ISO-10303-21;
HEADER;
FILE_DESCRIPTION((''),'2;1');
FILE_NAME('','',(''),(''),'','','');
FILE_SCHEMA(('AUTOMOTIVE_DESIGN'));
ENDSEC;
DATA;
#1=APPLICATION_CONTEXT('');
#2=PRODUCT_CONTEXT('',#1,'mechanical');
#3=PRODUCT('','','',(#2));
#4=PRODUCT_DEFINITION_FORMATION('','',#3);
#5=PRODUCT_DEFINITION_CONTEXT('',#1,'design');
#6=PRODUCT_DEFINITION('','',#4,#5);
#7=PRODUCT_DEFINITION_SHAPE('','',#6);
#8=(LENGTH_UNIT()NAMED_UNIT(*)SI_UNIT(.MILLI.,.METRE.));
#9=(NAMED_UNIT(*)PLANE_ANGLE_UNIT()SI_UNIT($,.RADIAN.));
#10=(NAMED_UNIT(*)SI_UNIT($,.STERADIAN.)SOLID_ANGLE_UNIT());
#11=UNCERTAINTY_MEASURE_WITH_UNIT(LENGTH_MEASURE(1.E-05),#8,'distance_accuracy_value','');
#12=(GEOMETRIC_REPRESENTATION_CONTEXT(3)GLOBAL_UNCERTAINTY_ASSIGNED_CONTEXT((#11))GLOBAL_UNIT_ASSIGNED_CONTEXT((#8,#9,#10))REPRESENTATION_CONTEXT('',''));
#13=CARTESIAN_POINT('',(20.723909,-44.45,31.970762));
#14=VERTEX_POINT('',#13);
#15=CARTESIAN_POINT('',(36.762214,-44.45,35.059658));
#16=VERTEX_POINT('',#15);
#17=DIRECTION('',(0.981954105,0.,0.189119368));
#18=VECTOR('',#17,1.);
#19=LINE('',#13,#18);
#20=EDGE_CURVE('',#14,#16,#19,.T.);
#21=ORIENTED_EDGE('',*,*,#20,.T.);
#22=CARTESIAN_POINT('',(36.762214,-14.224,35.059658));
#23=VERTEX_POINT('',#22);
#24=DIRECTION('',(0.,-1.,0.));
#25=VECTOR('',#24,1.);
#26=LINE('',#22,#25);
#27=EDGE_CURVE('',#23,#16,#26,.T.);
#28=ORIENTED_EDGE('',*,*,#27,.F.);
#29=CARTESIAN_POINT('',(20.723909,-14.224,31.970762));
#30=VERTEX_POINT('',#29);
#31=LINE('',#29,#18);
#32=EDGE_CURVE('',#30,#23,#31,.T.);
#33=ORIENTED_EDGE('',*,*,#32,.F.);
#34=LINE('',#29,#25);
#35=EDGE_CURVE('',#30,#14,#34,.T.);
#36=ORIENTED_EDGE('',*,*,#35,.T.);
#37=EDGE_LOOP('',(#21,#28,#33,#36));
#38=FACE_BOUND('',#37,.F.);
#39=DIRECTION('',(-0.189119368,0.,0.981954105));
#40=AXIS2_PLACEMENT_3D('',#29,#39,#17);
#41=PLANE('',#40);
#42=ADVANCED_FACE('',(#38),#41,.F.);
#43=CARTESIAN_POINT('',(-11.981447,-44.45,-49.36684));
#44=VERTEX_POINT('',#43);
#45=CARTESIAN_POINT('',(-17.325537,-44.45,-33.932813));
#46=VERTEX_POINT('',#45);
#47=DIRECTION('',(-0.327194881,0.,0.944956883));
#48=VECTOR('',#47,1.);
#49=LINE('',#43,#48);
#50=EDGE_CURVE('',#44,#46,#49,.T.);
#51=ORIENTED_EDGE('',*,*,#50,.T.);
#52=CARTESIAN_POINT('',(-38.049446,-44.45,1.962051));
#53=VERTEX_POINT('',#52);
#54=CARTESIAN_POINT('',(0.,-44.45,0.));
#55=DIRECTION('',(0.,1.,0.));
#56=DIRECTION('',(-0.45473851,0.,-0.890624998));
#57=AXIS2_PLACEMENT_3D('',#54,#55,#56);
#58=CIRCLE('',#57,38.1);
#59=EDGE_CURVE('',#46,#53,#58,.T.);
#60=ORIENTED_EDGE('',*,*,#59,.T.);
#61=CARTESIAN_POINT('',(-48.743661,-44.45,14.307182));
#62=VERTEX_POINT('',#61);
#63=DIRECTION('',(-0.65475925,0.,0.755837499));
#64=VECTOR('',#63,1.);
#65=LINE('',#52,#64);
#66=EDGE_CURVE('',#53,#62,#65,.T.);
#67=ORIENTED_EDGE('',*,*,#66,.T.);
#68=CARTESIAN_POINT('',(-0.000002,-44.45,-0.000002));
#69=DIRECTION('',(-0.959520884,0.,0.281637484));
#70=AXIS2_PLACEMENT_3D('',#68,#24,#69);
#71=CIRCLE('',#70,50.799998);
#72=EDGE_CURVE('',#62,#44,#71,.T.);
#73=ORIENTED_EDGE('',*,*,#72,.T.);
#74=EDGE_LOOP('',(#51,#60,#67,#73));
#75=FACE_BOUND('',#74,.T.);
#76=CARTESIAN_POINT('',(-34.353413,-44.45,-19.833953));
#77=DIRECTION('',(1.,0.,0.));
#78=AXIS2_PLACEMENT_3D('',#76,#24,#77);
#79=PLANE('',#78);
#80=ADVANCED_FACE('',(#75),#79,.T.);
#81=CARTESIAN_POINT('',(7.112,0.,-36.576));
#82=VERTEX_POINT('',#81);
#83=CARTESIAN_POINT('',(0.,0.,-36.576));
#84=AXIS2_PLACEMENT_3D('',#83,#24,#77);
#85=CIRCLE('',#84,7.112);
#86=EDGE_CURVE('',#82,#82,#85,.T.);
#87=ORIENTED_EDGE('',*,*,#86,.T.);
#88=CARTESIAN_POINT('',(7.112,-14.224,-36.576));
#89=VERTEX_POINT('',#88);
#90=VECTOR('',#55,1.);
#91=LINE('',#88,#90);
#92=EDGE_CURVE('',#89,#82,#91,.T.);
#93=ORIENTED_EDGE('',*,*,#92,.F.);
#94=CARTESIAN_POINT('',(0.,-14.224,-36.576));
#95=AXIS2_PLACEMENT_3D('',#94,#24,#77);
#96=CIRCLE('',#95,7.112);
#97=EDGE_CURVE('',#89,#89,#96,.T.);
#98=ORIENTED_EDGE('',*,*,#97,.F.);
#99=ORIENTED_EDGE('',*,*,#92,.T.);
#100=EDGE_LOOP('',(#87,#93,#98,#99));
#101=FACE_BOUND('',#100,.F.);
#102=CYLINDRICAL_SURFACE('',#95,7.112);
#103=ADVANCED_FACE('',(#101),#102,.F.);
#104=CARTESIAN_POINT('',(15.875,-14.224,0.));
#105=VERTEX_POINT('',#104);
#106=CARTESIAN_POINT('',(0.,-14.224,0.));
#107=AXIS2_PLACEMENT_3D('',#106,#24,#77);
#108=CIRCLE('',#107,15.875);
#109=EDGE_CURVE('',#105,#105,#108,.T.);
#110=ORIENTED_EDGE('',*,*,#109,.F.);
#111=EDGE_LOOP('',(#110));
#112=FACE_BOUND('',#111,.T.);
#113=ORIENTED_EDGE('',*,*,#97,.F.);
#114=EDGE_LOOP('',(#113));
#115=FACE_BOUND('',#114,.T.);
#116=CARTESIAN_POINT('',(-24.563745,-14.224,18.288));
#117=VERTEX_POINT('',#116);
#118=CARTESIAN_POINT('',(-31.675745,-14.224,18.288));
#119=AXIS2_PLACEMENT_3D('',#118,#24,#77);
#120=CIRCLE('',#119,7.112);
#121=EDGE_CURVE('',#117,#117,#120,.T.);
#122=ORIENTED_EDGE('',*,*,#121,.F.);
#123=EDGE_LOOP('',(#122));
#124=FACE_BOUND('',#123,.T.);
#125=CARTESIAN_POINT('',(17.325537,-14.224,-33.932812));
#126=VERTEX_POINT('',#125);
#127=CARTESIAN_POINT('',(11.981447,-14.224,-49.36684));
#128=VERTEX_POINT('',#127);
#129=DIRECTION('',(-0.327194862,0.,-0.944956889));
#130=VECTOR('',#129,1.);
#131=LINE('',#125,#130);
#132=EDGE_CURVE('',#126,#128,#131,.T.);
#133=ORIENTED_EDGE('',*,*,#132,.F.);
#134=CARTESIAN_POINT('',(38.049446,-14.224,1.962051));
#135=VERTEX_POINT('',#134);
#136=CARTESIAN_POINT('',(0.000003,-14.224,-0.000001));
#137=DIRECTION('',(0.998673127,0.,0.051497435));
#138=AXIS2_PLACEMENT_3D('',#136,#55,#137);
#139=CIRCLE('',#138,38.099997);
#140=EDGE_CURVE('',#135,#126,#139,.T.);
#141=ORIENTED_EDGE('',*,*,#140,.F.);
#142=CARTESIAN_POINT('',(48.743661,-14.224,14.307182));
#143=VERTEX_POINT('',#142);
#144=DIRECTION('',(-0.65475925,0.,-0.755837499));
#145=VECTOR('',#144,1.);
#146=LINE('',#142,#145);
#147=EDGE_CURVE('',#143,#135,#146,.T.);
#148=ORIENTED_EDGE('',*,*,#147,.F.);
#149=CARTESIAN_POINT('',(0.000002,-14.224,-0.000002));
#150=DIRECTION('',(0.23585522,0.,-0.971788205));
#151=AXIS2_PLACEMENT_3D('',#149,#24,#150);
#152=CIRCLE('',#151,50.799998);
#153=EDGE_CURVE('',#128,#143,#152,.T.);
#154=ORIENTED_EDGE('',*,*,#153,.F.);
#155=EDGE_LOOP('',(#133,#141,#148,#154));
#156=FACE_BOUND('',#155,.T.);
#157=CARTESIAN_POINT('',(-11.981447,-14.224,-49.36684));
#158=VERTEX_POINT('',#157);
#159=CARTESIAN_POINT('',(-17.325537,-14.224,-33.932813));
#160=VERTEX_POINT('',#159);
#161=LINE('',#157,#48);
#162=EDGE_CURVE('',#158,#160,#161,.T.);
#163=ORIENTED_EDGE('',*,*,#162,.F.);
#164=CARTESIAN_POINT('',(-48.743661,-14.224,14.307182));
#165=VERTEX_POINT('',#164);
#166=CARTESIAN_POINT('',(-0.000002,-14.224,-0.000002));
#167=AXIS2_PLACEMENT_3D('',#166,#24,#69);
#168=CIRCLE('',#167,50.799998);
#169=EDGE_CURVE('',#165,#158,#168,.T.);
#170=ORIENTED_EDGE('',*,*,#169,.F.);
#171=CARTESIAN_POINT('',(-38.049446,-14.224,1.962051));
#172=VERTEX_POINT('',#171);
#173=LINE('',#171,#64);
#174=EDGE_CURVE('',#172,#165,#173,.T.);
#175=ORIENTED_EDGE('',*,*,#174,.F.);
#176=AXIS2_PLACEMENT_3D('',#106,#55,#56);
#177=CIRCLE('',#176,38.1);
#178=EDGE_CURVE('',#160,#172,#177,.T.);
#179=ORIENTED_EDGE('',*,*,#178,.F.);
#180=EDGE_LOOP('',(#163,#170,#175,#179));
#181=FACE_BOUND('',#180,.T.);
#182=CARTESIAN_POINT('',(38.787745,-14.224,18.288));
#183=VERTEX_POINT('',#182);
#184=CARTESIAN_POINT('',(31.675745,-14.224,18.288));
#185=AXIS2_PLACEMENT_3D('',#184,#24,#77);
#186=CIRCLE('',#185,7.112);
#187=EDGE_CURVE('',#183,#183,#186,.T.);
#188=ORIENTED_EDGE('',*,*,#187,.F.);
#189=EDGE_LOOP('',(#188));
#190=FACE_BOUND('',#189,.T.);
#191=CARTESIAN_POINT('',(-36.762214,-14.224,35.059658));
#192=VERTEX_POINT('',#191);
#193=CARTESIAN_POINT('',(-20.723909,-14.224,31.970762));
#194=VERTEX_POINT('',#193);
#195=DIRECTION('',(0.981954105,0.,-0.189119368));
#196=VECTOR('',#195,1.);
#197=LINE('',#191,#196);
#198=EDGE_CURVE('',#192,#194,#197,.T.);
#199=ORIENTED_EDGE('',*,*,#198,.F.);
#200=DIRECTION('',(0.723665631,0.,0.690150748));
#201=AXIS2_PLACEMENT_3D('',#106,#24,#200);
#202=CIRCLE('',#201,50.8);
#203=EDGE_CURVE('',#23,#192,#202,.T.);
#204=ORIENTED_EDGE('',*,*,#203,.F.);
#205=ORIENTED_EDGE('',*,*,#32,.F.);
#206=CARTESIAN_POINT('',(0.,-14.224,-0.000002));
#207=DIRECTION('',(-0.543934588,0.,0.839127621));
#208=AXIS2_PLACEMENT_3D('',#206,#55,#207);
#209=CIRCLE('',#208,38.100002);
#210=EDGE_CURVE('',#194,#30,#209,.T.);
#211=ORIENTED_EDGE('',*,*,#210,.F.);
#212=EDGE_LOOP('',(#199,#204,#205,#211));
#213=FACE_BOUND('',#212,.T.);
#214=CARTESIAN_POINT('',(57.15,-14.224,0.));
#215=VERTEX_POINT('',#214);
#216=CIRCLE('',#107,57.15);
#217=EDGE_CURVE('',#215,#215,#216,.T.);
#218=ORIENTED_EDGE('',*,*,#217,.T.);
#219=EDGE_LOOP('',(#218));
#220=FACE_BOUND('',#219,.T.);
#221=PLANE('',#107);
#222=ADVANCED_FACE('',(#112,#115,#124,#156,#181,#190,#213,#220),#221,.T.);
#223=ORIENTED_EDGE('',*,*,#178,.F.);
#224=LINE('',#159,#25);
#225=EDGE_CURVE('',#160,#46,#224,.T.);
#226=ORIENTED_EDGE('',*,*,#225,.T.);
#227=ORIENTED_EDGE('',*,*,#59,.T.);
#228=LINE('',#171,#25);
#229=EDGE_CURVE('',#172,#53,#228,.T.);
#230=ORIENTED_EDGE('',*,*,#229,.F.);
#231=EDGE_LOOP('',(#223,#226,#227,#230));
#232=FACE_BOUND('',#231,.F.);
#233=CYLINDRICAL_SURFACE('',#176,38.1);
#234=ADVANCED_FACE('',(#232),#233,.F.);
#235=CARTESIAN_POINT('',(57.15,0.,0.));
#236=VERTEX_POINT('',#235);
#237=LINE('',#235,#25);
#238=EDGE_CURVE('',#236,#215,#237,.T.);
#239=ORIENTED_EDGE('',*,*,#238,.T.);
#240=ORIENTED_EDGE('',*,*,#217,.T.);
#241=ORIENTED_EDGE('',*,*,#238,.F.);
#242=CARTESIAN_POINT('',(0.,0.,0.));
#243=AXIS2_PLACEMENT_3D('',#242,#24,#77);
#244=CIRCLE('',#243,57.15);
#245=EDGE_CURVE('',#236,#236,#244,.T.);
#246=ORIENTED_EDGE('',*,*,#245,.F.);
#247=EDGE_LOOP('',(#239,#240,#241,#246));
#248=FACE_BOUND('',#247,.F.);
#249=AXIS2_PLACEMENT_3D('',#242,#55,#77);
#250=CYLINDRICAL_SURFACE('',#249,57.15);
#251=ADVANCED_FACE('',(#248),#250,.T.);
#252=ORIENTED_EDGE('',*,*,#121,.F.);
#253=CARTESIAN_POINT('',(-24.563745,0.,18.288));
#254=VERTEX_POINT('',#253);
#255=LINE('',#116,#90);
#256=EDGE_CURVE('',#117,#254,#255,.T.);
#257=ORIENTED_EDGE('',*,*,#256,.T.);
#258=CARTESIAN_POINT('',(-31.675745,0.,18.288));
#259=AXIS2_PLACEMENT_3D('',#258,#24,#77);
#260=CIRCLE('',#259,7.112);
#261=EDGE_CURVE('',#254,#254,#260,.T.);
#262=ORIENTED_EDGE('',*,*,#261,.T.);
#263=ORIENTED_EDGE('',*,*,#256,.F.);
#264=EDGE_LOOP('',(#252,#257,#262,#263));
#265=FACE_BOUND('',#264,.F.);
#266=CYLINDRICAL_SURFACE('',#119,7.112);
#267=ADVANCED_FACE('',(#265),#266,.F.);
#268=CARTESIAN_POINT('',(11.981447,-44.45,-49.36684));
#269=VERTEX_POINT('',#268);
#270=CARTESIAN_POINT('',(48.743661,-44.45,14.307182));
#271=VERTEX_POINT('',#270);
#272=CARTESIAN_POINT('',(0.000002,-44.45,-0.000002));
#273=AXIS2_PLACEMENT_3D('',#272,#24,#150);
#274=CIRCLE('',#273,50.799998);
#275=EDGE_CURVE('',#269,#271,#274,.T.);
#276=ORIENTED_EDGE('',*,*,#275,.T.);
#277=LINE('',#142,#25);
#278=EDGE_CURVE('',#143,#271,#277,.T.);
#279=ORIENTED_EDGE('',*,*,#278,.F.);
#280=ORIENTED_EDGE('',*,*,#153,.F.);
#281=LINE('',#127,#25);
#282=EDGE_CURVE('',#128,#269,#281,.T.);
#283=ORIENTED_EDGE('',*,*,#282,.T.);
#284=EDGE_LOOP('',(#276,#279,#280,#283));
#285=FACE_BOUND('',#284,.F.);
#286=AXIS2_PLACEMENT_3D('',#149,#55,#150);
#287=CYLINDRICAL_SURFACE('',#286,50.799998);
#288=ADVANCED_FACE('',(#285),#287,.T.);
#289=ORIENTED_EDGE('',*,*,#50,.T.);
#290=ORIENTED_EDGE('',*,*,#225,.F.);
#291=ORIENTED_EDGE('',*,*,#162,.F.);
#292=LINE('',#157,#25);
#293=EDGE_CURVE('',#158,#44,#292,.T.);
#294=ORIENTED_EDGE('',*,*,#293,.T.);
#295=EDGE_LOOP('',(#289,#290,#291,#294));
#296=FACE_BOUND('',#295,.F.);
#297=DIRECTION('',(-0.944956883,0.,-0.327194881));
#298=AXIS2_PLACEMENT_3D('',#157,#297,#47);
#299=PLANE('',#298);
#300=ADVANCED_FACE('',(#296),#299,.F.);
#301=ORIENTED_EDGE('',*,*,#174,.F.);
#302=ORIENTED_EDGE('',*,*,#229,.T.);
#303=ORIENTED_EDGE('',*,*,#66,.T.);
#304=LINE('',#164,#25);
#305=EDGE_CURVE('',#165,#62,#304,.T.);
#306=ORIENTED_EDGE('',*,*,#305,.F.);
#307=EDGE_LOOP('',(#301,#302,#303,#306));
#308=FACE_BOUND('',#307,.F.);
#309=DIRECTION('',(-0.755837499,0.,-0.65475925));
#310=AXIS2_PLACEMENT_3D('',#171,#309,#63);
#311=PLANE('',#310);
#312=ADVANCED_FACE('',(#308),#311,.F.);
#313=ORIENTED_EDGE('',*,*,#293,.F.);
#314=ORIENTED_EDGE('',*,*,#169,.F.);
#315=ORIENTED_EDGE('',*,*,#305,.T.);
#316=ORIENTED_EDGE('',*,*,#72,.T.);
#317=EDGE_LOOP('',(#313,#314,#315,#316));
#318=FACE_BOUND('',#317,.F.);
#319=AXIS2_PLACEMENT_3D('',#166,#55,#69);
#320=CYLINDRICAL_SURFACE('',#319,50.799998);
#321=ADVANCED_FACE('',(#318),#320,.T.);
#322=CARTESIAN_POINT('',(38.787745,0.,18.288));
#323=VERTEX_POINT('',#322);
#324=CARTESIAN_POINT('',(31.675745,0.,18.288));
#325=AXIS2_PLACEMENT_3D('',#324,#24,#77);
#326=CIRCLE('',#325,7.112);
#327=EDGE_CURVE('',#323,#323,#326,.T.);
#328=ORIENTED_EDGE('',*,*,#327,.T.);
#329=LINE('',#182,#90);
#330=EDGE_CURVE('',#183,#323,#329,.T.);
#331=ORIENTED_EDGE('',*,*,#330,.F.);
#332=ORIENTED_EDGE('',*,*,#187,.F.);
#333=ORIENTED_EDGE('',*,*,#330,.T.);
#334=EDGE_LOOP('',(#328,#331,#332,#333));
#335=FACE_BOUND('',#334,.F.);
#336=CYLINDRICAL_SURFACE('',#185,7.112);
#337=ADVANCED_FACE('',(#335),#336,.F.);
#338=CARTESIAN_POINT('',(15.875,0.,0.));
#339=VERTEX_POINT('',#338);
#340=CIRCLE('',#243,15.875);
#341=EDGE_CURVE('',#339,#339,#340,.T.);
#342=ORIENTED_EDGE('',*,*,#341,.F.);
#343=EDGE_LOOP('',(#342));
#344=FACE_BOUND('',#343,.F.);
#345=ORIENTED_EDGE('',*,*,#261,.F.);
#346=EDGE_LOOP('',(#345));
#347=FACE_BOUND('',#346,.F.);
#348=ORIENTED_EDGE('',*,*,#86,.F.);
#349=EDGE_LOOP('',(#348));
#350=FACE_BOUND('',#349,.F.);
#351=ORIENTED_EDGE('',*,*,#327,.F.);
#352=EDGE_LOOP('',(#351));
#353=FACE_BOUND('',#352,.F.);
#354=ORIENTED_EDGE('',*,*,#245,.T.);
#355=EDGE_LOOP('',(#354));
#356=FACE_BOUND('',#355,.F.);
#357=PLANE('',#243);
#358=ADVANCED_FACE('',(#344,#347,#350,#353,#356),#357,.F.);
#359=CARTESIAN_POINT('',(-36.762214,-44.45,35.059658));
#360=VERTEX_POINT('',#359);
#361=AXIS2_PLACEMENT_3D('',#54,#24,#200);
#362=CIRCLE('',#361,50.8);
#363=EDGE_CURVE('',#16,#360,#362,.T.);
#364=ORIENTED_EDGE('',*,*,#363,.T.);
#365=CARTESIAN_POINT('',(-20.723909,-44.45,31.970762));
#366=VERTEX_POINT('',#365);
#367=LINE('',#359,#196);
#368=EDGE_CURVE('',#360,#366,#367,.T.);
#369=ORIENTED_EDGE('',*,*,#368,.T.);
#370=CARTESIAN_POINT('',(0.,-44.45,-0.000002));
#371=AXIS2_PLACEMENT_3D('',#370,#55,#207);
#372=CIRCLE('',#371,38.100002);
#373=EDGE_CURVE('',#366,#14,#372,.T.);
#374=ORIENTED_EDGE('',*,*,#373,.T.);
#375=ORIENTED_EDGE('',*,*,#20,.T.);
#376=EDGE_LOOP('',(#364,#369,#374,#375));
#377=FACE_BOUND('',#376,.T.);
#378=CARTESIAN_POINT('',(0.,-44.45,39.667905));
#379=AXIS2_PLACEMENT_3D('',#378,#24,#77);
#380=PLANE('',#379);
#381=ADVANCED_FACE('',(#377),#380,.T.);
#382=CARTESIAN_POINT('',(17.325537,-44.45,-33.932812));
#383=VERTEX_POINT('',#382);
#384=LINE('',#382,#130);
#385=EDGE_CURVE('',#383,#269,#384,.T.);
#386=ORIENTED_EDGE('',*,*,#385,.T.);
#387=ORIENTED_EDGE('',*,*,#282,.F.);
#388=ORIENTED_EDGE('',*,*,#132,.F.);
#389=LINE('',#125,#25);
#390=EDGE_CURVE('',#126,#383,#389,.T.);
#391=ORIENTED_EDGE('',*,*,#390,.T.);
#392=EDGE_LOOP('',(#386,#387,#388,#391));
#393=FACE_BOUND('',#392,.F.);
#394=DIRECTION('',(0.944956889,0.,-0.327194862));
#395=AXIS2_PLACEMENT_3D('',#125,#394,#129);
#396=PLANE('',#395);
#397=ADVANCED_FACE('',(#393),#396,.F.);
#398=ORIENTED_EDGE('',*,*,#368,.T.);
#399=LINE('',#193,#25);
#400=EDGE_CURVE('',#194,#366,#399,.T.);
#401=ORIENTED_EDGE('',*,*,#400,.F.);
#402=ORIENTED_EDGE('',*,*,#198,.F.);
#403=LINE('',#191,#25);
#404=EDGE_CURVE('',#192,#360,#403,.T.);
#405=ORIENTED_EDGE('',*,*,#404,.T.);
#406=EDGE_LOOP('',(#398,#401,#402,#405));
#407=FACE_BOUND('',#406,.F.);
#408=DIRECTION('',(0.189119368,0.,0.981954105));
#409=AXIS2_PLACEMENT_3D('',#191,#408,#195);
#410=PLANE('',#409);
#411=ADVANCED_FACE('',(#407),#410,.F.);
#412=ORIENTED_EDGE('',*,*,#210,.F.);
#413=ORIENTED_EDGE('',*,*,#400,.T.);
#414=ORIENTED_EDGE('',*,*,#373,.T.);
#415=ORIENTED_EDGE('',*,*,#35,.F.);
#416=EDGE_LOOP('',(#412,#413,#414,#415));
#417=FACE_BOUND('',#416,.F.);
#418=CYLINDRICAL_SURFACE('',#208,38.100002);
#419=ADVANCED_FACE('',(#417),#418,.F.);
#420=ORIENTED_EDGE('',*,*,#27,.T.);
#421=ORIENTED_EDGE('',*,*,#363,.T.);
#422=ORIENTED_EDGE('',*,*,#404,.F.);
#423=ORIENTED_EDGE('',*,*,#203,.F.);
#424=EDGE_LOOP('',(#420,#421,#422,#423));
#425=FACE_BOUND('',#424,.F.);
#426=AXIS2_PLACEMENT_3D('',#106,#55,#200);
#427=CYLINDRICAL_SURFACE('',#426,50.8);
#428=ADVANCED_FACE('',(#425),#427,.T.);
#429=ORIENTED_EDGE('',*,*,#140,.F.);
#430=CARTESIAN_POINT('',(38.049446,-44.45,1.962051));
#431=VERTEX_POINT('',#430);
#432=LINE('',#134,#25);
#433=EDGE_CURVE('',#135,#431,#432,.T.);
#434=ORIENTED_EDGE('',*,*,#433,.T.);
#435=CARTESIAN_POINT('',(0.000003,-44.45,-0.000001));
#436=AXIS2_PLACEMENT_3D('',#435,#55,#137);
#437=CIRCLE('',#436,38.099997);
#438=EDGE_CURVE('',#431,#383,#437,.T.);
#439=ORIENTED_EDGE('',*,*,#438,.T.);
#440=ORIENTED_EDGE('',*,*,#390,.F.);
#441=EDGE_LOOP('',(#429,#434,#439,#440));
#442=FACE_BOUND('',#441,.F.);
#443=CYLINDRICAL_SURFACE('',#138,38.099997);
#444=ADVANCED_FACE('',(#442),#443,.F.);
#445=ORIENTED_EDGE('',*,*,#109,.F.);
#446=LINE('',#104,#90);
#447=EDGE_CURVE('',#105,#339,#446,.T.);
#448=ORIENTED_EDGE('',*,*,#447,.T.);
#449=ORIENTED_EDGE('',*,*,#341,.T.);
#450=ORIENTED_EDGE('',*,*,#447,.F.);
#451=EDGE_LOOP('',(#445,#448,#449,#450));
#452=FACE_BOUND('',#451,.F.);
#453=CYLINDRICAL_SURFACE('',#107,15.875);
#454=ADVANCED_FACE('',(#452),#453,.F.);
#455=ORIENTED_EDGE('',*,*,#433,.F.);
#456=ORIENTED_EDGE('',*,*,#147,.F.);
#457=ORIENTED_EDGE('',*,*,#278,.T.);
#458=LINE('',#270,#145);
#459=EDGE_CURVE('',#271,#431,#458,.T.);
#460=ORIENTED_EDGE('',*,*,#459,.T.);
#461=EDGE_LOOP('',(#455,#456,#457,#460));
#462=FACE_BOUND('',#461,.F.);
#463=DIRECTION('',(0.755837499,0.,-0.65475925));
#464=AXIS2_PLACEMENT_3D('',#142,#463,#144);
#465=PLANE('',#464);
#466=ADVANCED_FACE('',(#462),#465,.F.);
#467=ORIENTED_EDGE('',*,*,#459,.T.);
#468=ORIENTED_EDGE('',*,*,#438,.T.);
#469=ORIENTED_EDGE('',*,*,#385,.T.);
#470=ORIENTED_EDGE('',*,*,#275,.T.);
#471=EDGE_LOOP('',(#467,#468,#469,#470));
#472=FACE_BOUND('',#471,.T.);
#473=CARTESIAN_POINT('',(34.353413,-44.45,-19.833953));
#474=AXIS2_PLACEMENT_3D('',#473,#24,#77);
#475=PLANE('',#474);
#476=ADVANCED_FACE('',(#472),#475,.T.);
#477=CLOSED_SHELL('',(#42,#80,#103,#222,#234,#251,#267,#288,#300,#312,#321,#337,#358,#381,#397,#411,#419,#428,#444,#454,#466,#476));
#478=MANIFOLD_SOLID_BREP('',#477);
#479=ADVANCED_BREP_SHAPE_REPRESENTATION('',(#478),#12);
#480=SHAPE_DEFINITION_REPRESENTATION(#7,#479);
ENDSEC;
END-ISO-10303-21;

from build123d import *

# Parameters (mm, degrees)
F0_R     = 57.15
F1_DEPTH = 14.224
F2_R     = 7.112
F2_R_2   = 15.875
F3_DEPTH = 14.225
F5_DEPTH = 30.226


with BuildPart() as f1:
    # F0 (on Front) → F1 (new body)
    with BuildSketch(Plane.XZ):
        Circle(F0_R)
    extrude(amount=F1_DEPTH)

    # F2 (on face) → F3 (cut, through all)
    with BuildSketch(Plane.XZ.offset(14.224)):
        with Locations((0, -36.576)):
            Circle(F2_R)
        with Locations((31.675745, 18.288)):
            Circle(F2_R)
        with Locations((-31.675745, 18.288)):
            Circle(F2_R)
        Circle(F2_R_2)
    extrude(amount=-F3_DEPTH, mode=Mode.SUBTRACT)

    # F4 (on face) → F5 (join)
    with BuildSketch(Plane.XZ.offset(14.224)):
        with BuildLine():
            Line((20.723909, 31.970762), (36.762214, 35.059658))
            ThreePointArc((36.762214, 35.059658), (0, 50.8), (-36.762214, 35.059658))
            Line((-36.762214, 35.059658), (-20.723909, 31.970762))
            ThreePointArc((-20.723909, 31.970762), (0, 38.1), (20.723909, 31.970762))
        make_face()
        with BuildLine():
            Line((-38.049446, 1.962051), (-48.743661, 14.307182))
            ThreePointArc((-48.743661, 14.307182), (-43.994091, -25.4), (-11.981447, -49.36684))
            Line((-11.981447, -49.36684), (-17.325537, -33.932813))
            ThreePointArc((-17.325537, -33.932813), (-32.995568, -19.05), (-38.049446, 1.962051))
        make_face()
        with BuildLine():
            ThreePointArc((38.049446, 1.962051), (32.995568, -19.05), (17.325537, -33.932812))
            Line((17.325537, -33.932812), (11.981447, -49.36684))
            ThreePointArc((11.981447, -49.36684), (43.994091, -25.4), (48.743661, 14.307182))
            Line((48.743661, 14.307182), (38.049446, 1.962051))
        make_face()
    extrude(amount=F5_DEPTH)


solid = f1.part
